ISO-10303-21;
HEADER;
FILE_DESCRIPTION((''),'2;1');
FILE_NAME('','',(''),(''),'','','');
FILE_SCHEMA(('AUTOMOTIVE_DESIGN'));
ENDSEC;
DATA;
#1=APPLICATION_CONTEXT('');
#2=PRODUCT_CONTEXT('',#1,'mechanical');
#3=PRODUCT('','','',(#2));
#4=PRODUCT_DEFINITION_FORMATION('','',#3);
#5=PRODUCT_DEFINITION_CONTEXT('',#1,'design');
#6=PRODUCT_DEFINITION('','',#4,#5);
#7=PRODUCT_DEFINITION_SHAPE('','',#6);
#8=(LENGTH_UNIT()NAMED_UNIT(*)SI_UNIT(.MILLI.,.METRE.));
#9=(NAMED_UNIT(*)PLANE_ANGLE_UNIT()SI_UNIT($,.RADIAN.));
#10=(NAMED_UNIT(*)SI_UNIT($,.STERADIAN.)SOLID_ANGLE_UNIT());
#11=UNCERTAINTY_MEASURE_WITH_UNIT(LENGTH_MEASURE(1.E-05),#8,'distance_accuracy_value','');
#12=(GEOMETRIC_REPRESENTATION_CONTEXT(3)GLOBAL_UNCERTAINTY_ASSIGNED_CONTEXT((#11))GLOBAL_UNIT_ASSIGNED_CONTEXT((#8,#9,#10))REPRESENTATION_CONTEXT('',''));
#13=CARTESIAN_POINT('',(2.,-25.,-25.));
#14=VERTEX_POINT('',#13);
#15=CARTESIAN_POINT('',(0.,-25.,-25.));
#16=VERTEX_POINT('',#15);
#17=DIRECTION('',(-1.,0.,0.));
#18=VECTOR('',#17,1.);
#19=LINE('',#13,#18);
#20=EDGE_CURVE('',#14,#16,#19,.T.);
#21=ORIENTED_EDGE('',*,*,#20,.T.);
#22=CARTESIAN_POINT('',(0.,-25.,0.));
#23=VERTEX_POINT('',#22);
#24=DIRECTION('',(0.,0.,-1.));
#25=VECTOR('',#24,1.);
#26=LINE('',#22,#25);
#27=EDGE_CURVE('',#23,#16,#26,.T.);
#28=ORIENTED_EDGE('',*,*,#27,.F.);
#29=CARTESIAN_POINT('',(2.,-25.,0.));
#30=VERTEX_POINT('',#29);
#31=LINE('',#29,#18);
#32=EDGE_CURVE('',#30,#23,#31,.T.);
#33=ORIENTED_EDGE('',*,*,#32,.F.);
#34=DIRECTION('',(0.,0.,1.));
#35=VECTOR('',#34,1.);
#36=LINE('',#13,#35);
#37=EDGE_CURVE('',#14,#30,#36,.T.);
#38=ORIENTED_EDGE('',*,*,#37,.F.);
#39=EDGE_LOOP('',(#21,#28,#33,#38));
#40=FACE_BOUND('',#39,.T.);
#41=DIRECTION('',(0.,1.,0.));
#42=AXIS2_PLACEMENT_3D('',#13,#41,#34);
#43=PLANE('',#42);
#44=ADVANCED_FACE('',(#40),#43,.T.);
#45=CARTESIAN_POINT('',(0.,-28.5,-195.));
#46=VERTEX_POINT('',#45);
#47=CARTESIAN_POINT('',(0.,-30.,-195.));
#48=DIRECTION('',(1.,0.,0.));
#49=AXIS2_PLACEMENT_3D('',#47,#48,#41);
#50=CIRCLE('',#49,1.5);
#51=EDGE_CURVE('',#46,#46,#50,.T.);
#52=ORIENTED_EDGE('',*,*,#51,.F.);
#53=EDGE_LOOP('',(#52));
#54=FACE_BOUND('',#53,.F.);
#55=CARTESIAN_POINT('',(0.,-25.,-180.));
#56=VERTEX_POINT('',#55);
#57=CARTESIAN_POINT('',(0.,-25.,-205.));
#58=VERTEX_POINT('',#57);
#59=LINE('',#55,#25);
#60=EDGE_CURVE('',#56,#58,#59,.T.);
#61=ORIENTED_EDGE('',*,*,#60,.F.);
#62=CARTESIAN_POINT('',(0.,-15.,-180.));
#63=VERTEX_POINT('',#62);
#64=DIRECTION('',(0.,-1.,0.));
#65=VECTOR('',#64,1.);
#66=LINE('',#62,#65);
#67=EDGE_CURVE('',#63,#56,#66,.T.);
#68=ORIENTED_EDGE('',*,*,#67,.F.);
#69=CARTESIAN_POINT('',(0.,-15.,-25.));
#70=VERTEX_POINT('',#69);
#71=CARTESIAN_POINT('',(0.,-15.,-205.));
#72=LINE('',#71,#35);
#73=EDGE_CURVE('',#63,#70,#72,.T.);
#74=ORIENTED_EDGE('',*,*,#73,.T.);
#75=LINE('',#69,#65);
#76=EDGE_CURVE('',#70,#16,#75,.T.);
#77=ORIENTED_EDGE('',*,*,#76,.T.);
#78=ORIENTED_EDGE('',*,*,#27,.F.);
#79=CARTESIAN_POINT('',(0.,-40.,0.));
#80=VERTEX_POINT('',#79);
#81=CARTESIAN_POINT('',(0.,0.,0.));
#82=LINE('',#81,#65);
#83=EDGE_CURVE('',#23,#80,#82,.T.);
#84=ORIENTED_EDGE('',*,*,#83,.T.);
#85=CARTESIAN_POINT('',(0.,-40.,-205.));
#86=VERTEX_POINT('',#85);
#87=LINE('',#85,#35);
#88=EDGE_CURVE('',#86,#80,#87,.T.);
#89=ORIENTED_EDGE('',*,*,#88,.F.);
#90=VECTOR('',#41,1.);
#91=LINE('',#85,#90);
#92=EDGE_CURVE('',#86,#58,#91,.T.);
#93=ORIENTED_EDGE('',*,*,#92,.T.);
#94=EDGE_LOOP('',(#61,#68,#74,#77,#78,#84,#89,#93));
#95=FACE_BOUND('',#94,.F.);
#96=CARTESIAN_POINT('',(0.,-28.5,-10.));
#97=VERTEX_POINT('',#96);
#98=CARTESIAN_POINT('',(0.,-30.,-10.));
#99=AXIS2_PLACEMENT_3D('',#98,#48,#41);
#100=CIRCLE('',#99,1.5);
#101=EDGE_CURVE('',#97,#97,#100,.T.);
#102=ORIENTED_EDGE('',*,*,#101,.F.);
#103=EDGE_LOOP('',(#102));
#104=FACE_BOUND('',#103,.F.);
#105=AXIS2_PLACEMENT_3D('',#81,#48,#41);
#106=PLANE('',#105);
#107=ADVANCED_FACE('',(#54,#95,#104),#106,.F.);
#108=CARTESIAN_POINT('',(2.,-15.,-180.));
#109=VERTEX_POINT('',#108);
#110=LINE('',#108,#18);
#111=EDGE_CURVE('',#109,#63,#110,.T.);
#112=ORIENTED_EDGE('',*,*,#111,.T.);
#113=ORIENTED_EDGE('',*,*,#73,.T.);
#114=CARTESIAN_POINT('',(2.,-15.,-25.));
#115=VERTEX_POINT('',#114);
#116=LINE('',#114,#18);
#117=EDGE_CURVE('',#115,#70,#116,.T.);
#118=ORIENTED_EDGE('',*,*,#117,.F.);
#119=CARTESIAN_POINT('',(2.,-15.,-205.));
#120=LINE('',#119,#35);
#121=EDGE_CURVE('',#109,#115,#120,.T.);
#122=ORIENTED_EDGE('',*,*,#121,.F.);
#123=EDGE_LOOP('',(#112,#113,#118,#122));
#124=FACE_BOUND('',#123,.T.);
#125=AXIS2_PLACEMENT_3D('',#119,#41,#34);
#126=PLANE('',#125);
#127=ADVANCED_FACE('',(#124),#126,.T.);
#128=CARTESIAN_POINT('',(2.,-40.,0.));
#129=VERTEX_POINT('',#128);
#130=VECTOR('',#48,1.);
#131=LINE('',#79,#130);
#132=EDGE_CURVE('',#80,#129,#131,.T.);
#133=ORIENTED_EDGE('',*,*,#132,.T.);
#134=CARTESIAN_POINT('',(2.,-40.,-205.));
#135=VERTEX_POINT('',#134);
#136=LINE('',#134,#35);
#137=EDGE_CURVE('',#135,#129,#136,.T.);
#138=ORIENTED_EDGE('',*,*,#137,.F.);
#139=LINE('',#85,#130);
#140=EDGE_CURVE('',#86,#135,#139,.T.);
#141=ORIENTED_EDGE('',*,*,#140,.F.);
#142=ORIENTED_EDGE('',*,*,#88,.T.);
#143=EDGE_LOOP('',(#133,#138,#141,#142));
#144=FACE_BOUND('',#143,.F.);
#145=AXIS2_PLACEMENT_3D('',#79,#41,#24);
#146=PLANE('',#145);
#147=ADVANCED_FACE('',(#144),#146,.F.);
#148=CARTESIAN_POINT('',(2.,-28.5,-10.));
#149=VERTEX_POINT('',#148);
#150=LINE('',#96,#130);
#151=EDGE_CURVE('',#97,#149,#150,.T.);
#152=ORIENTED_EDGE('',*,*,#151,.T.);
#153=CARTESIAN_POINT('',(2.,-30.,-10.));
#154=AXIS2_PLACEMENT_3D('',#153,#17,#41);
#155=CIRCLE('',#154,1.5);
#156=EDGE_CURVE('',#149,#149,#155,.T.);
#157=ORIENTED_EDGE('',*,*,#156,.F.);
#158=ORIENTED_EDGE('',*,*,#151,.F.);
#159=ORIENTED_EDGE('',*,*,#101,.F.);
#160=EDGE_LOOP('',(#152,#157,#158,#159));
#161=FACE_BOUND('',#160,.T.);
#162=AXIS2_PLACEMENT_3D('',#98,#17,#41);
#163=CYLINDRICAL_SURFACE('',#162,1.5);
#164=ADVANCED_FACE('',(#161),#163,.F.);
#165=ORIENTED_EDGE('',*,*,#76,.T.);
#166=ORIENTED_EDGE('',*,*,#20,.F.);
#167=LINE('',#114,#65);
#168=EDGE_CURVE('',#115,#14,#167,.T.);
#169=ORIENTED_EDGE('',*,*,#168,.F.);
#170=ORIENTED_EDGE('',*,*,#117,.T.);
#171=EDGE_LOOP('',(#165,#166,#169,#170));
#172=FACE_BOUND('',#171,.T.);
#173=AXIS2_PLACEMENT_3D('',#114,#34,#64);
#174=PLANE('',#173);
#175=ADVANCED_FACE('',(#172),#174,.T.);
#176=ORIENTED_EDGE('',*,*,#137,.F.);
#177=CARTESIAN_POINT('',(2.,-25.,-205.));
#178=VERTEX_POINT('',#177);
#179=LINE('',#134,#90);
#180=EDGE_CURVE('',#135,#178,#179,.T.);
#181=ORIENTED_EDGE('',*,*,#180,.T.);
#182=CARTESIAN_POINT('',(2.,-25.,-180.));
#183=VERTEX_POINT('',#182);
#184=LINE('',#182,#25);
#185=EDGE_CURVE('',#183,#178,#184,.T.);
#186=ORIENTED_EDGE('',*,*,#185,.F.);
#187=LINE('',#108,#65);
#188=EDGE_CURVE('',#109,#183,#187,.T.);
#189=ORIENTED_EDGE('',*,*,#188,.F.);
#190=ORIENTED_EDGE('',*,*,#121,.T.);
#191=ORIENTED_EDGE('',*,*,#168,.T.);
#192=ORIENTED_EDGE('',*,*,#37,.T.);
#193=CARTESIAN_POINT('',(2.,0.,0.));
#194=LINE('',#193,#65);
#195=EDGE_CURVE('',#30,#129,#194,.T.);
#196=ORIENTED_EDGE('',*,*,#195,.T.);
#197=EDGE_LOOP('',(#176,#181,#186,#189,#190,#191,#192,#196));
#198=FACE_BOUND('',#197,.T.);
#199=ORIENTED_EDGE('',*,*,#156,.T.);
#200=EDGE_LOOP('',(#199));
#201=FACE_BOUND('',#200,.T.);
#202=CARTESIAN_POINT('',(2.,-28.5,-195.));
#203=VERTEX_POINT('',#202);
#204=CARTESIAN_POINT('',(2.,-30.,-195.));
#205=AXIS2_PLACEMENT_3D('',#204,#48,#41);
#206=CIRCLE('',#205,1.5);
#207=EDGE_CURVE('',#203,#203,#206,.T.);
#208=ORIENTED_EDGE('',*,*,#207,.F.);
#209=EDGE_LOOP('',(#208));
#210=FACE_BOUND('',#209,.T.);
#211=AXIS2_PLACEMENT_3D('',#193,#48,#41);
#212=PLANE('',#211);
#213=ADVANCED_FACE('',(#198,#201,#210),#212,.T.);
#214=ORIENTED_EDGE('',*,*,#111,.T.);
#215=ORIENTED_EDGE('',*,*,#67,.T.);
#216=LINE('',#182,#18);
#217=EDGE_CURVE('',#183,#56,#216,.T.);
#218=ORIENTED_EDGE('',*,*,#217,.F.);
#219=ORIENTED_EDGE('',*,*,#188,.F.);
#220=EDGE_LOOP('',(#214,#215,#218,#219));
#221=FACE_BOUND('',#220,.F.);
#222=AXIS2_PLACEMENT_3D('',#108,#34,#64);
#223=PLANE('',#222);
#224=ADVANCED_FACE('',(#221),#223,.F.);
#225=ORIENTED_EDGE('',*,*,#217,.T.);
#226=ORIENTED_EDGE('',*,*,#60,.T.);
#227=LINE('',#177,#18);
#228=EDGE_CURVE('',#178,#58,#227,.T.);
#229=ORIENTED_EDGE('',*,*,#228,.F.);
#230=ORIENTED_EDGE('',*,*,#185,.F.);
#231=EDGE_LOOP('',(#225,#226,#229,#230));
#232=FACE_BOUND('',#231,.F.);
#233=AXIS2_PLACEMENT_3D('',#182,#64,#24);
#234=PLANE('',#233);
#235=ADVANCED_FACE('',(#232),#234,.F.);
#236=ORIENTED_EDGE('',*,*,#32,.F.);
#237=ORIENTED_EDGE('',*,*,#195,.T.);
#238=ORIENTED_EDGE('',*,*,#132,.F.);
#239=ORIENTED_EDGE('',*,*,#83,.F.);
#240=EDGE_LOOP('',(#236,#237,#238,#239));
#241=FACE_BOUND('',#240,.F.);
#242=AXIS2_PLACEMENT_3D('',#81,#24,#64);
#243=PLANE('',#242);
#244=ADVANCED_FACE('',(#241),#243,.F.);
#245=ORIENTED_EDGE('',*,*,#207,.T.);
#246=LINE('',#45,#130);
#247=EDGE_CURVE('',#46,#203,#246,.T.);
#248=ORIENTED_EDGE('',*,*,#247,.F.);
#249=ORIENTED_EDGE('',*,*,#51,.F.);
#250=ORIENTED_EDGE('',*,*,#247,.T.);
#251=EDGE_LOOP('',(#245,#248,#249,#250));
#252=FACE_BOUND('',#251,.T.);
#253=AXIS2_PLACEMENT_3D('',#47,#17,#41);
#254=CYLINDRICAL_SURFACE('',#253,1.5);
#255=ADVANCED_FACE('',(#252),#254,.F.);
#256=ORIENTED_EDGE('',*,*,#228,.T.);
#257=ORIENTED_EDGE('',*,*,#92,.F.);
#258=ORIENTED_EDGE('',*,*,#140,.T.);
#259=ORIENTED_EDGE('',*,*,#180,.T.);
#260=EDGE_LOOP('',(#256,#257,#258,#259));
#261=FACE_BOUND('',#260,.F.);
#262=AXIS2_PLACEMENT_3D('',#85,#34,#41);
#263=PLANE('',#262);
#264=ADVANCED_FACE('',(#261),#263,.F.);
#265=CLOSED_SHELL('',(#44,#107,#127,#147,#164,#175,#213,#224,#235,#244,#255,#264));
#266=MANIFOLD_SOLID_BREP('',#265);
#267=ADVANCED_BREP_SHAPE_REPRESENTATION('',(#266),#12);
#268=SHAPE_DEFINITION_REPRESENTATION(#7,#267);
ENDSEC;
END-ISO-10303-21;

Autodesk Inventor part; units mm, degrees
ref_plane "YZ Plane" through (0, 0, 0) normal (1, 0, 0) x (0, 1, 0)
ref_plane "XZ Plane" through (0, 0, 0) normal (0, 1, 0) x (-1, 0, 0)
ref_plane "XY Plane" through (0, 0, 0) normal (0, 0, 1) x (1, 0, 0)
sketch "Sketch2" plane through (0, 0, 0) normal (1, 0, 0) x (0, 1, 0)
  line L0 (0, 0) -> (-40, 0)
  line L1 (-40, 0) -> (-40, -205)
  line L2 (-40, -205) -> (0, -205)
  line L3 (0, -205) -> (0, 0)
  line L4 (0, 0) -> (0, -5)
  line L5 (0, -5) -> (-5, -5)
  circle A0 centre (-5, -5) radius 1.5
  line L6 (-5, -5) -> (-5, -15)
  circle A1 centre (-5, -15) radius 1.5
  line L7 (0, -102.5) -> (-40, -102.5)
  circle A2 centre (-5, -200) radius 1.5
  circle A3 centre (-5, -190) radius 1.5
  line L8 (-40, 0) -> (-40, -10)
  line L9 (-40, -10) -> (-30, -10)
  line L10 (-30, -10) -> (-20, -10)
  circle A4 centre (-20, -10) radius 1.5
  circle A5 centre (-30, -10) radius 1.5
  circle A6 centre (-20, -195) radius 1.5
  circle A7 centre (-30, -195) radius 1.5
  dimension "d11" = 40
  dimension "d12" = 205
  dimension "d13" = 5
  dimension "d14" = 5
  dimension "d15" = 3
  dimension "d16" = 10
  dimension "d17" = 3
  dimension "d18" = 10
  dimension "d19" = 10
  dimension "d20" = 10
  dimension "d21" = 3
  dimension "d22" = 3
extrude "Extrusion3" add sketch "Sketch2" along normal blind 2
sketch "Sketch3" plane through (2, 0, 0) normal (1, 0, 0) x (0, 0, -1)
  line L0 (205, -40) -> (205, 0) projected
  line L1 (0, 0) -> (205, 0)
  line L2 (205, 0) -> (205, -15)
  line L3 (205, -15) -> (0, -15)
  line L4 (0, -15) -> (0, 0)
  dimension "d25" = 15
extrude "Extrusion4" cut sketch "Sketch3" against normal blind 2
sketch "Sketch4" plane through (2, 0, 0) normal (1, 0, 0) x (0, 0, -1)
  line L0 (0, -15) -> (0, -40) projected
  line L1 (0, -15) -> (25, -15)
  line L2 (0, -15) -> (205, -15) projected
  line L3 (25, -15) -> (25, -25)
  line L4 (25, -25) -> (0, -25)
  line L5 (205, -40) -> (205, -15) projected
  line L6 (205, -15) -> (180, -15)
  line L7 (180, -15) -> (180, -25)
  line L8 (180, -25) -> (205, -25)
  line L9 (205, -25) -> (205, -15)
  point P0 (0, 0)
  dimension "d28" = 25
  dimension "d29" = 10
  dimension "d30" = 25
extrude "Extrusion5" cut sketch "Sketch4" against normal blind 2
properties part number "plateHolder"
